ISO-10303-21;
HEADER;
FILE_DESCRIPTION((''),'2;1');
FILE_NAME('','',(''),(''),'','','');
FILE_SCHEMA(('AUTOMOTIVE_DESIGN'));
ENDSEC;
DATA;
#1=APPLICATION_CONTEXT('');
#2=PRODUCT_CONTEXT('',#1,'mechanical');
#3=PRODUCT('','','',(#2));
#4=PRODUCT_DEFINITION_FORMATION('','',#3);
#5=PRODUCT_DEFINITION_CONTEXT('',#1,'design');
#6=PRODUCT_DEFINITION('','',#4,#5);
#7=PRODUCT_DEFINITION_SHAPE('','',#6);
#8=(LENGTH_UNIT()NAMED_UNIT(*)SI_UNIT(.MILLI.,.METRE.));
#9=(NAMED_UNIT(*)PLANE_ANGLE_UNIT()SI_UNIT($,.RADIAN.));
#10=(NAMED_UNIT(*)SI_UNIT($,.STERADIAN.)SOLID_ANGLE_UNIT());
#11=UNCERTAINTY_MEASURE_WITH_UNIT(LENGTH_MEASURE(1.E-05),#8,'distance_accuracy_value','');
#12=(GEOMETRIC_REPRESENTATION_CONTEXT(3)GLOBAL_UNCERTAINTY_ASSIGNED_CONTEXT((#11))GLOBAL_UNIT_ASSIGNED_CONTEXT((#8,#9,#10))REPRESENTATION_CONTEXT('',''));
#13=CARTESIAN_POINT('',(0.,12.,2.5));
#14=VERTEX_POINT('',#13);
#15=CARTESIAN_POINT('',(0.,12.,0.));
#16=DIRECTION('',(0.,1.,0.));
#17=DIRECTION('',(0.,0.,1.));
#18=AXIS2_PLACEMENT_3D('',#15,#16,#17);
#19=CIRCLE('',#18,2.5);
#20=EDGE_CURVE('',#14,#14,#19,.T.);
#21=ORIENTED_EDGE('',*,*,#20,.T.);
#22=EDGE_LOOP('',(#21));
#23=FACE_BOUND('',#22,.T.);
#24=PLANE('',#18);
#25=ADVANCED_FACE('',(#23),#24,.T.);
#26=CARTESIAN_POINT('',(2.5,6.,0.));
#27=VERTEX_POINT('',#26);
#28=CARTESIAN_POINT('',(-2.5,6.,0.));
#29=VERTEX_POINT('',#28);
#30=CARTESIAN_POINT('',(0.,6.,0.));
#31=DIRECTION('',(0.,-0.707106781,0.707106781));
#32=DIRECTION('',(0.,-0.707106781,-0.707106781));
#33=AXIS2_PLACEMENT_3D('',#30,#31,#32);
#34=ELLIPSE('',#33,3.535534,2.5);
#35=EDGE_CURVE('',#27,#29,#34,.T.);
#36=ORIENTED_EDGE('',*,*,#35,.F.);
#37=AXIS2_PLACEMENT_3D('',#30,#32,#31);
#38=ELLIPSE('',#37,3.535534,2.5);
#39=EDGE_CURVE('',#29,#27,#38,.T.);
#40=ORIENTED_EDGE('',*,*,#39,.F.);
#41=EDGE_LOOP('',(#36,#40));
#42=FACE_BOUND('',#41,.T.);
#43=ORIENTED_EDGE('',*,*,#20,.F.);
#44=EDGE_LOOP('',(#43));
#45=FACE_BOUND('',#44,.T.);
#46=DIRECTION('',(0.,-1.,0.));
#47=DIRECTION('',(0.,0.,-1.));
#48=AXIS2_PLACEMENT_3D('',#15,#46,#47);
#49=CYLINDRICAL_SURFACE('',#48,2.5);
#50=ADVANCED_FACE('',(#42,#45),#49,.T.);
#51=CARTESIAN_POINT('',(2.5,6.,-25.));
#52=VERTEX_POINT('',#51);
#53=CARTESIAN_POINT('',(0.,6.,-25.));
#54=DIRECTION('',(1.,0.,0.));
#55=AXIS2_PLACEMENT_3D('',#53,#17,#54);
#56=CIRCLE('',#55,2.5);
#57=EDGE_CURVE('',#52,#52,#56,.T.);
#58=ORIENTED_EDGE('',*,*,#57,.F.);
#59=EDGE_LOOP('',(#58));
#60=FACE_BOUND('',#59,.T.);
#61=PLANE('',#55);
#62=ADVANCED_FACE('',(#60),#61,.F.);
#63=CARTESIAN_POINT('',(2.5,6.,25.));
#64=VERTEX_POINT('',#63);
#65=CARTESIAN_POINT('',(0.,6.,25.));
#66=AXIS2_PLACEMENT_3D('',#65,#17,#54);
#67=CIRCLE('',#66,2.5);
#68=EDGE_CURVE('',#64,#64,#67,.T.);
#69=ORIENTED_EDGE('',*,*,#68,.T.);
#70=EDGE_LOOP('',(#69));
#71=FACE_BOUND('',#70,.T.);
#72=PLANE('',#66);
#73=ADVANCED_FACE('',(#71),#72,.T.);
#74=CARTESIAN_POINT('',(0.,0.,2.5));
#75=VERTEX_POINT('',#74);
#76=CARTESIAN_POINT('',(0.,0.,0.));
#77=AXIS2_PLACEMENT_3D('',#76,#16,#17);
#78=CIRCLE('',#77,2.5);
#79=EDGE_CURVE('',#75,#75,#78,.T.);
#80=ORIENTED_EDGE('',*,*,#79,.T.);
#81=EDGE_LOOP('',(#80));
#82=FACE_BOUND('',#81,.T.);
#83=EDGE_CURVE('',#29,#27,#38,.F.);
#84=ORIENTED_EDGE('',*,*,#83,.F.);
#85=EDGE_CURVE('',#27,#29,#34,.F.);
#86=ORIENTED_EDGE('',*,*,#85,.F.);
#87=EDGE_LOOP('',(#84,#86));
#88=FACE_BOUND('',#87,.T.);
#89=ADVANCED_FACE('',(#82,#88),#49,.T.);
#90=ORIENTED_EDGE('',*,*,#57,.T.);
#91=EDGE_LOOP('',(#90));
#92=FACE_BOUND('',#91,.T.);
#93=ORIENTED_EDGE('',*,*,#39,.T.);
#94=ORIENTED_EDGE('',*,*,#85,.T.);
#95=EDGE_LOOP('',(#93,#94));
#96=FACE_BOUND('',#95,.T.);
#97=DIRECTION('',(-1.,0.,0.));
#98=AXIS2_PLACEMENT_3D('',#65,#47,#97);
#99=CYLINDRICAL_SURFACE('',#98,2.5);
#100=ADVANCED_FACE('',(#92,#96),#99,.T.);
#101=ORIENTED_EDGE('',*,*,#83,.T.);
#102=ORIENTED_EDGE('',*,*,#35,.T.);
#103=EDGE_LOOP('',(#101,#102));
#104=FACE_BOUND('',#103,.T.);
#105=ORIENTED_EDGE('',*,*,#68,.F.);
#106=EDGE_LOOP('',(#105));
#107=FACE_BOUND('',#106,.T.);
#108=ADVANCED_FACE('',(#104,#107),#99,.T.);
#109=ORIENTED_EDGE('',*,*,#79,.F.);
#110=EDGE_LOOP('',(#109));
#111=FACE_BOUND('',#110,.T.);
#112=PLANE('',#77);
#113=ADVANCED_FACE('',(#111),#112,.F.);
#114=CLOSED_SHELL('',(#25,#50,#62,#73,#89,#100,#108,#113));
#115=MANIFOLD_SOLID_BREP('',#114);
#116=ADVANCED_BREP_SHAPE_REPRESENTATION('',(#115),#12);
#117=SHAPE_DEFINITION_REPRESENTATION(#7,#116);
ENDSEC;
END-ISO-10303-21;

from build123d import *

# Parameters (mm, degrees)
SKETCH1_R           = 2.5
BOSS_EXTRUDE1_DEPTH = 12
SKETCH2_R           = 2.5
BOSS_EXTRUDE2_DEPTH = 25


with BuildPart() as part:
    # Sketch1 → Boss-Extrude1 (new body)
    with BuildSketch(Plane(origin=(0, 0, 0), x_dir=(1, 0, 0), z_dir=(0, 1, 0))):
        with Locations(Location((0, 0, 0), (0, 0, 270))):
            Circle(SKETCH1_R)
    extrude(amount=BOSS_EXTRUDE1_DEPTH)

    # Sketch2 → Boss-Extrude2 (add, symmetric)
    with BuildSketch(Plane.XY):
        with Locations((0, 6)):
            Circle(SKETCH2_R)
    extrude(amount=BOSS_EXTRUDE2_DEPTH, both=True)


solid = part.part
